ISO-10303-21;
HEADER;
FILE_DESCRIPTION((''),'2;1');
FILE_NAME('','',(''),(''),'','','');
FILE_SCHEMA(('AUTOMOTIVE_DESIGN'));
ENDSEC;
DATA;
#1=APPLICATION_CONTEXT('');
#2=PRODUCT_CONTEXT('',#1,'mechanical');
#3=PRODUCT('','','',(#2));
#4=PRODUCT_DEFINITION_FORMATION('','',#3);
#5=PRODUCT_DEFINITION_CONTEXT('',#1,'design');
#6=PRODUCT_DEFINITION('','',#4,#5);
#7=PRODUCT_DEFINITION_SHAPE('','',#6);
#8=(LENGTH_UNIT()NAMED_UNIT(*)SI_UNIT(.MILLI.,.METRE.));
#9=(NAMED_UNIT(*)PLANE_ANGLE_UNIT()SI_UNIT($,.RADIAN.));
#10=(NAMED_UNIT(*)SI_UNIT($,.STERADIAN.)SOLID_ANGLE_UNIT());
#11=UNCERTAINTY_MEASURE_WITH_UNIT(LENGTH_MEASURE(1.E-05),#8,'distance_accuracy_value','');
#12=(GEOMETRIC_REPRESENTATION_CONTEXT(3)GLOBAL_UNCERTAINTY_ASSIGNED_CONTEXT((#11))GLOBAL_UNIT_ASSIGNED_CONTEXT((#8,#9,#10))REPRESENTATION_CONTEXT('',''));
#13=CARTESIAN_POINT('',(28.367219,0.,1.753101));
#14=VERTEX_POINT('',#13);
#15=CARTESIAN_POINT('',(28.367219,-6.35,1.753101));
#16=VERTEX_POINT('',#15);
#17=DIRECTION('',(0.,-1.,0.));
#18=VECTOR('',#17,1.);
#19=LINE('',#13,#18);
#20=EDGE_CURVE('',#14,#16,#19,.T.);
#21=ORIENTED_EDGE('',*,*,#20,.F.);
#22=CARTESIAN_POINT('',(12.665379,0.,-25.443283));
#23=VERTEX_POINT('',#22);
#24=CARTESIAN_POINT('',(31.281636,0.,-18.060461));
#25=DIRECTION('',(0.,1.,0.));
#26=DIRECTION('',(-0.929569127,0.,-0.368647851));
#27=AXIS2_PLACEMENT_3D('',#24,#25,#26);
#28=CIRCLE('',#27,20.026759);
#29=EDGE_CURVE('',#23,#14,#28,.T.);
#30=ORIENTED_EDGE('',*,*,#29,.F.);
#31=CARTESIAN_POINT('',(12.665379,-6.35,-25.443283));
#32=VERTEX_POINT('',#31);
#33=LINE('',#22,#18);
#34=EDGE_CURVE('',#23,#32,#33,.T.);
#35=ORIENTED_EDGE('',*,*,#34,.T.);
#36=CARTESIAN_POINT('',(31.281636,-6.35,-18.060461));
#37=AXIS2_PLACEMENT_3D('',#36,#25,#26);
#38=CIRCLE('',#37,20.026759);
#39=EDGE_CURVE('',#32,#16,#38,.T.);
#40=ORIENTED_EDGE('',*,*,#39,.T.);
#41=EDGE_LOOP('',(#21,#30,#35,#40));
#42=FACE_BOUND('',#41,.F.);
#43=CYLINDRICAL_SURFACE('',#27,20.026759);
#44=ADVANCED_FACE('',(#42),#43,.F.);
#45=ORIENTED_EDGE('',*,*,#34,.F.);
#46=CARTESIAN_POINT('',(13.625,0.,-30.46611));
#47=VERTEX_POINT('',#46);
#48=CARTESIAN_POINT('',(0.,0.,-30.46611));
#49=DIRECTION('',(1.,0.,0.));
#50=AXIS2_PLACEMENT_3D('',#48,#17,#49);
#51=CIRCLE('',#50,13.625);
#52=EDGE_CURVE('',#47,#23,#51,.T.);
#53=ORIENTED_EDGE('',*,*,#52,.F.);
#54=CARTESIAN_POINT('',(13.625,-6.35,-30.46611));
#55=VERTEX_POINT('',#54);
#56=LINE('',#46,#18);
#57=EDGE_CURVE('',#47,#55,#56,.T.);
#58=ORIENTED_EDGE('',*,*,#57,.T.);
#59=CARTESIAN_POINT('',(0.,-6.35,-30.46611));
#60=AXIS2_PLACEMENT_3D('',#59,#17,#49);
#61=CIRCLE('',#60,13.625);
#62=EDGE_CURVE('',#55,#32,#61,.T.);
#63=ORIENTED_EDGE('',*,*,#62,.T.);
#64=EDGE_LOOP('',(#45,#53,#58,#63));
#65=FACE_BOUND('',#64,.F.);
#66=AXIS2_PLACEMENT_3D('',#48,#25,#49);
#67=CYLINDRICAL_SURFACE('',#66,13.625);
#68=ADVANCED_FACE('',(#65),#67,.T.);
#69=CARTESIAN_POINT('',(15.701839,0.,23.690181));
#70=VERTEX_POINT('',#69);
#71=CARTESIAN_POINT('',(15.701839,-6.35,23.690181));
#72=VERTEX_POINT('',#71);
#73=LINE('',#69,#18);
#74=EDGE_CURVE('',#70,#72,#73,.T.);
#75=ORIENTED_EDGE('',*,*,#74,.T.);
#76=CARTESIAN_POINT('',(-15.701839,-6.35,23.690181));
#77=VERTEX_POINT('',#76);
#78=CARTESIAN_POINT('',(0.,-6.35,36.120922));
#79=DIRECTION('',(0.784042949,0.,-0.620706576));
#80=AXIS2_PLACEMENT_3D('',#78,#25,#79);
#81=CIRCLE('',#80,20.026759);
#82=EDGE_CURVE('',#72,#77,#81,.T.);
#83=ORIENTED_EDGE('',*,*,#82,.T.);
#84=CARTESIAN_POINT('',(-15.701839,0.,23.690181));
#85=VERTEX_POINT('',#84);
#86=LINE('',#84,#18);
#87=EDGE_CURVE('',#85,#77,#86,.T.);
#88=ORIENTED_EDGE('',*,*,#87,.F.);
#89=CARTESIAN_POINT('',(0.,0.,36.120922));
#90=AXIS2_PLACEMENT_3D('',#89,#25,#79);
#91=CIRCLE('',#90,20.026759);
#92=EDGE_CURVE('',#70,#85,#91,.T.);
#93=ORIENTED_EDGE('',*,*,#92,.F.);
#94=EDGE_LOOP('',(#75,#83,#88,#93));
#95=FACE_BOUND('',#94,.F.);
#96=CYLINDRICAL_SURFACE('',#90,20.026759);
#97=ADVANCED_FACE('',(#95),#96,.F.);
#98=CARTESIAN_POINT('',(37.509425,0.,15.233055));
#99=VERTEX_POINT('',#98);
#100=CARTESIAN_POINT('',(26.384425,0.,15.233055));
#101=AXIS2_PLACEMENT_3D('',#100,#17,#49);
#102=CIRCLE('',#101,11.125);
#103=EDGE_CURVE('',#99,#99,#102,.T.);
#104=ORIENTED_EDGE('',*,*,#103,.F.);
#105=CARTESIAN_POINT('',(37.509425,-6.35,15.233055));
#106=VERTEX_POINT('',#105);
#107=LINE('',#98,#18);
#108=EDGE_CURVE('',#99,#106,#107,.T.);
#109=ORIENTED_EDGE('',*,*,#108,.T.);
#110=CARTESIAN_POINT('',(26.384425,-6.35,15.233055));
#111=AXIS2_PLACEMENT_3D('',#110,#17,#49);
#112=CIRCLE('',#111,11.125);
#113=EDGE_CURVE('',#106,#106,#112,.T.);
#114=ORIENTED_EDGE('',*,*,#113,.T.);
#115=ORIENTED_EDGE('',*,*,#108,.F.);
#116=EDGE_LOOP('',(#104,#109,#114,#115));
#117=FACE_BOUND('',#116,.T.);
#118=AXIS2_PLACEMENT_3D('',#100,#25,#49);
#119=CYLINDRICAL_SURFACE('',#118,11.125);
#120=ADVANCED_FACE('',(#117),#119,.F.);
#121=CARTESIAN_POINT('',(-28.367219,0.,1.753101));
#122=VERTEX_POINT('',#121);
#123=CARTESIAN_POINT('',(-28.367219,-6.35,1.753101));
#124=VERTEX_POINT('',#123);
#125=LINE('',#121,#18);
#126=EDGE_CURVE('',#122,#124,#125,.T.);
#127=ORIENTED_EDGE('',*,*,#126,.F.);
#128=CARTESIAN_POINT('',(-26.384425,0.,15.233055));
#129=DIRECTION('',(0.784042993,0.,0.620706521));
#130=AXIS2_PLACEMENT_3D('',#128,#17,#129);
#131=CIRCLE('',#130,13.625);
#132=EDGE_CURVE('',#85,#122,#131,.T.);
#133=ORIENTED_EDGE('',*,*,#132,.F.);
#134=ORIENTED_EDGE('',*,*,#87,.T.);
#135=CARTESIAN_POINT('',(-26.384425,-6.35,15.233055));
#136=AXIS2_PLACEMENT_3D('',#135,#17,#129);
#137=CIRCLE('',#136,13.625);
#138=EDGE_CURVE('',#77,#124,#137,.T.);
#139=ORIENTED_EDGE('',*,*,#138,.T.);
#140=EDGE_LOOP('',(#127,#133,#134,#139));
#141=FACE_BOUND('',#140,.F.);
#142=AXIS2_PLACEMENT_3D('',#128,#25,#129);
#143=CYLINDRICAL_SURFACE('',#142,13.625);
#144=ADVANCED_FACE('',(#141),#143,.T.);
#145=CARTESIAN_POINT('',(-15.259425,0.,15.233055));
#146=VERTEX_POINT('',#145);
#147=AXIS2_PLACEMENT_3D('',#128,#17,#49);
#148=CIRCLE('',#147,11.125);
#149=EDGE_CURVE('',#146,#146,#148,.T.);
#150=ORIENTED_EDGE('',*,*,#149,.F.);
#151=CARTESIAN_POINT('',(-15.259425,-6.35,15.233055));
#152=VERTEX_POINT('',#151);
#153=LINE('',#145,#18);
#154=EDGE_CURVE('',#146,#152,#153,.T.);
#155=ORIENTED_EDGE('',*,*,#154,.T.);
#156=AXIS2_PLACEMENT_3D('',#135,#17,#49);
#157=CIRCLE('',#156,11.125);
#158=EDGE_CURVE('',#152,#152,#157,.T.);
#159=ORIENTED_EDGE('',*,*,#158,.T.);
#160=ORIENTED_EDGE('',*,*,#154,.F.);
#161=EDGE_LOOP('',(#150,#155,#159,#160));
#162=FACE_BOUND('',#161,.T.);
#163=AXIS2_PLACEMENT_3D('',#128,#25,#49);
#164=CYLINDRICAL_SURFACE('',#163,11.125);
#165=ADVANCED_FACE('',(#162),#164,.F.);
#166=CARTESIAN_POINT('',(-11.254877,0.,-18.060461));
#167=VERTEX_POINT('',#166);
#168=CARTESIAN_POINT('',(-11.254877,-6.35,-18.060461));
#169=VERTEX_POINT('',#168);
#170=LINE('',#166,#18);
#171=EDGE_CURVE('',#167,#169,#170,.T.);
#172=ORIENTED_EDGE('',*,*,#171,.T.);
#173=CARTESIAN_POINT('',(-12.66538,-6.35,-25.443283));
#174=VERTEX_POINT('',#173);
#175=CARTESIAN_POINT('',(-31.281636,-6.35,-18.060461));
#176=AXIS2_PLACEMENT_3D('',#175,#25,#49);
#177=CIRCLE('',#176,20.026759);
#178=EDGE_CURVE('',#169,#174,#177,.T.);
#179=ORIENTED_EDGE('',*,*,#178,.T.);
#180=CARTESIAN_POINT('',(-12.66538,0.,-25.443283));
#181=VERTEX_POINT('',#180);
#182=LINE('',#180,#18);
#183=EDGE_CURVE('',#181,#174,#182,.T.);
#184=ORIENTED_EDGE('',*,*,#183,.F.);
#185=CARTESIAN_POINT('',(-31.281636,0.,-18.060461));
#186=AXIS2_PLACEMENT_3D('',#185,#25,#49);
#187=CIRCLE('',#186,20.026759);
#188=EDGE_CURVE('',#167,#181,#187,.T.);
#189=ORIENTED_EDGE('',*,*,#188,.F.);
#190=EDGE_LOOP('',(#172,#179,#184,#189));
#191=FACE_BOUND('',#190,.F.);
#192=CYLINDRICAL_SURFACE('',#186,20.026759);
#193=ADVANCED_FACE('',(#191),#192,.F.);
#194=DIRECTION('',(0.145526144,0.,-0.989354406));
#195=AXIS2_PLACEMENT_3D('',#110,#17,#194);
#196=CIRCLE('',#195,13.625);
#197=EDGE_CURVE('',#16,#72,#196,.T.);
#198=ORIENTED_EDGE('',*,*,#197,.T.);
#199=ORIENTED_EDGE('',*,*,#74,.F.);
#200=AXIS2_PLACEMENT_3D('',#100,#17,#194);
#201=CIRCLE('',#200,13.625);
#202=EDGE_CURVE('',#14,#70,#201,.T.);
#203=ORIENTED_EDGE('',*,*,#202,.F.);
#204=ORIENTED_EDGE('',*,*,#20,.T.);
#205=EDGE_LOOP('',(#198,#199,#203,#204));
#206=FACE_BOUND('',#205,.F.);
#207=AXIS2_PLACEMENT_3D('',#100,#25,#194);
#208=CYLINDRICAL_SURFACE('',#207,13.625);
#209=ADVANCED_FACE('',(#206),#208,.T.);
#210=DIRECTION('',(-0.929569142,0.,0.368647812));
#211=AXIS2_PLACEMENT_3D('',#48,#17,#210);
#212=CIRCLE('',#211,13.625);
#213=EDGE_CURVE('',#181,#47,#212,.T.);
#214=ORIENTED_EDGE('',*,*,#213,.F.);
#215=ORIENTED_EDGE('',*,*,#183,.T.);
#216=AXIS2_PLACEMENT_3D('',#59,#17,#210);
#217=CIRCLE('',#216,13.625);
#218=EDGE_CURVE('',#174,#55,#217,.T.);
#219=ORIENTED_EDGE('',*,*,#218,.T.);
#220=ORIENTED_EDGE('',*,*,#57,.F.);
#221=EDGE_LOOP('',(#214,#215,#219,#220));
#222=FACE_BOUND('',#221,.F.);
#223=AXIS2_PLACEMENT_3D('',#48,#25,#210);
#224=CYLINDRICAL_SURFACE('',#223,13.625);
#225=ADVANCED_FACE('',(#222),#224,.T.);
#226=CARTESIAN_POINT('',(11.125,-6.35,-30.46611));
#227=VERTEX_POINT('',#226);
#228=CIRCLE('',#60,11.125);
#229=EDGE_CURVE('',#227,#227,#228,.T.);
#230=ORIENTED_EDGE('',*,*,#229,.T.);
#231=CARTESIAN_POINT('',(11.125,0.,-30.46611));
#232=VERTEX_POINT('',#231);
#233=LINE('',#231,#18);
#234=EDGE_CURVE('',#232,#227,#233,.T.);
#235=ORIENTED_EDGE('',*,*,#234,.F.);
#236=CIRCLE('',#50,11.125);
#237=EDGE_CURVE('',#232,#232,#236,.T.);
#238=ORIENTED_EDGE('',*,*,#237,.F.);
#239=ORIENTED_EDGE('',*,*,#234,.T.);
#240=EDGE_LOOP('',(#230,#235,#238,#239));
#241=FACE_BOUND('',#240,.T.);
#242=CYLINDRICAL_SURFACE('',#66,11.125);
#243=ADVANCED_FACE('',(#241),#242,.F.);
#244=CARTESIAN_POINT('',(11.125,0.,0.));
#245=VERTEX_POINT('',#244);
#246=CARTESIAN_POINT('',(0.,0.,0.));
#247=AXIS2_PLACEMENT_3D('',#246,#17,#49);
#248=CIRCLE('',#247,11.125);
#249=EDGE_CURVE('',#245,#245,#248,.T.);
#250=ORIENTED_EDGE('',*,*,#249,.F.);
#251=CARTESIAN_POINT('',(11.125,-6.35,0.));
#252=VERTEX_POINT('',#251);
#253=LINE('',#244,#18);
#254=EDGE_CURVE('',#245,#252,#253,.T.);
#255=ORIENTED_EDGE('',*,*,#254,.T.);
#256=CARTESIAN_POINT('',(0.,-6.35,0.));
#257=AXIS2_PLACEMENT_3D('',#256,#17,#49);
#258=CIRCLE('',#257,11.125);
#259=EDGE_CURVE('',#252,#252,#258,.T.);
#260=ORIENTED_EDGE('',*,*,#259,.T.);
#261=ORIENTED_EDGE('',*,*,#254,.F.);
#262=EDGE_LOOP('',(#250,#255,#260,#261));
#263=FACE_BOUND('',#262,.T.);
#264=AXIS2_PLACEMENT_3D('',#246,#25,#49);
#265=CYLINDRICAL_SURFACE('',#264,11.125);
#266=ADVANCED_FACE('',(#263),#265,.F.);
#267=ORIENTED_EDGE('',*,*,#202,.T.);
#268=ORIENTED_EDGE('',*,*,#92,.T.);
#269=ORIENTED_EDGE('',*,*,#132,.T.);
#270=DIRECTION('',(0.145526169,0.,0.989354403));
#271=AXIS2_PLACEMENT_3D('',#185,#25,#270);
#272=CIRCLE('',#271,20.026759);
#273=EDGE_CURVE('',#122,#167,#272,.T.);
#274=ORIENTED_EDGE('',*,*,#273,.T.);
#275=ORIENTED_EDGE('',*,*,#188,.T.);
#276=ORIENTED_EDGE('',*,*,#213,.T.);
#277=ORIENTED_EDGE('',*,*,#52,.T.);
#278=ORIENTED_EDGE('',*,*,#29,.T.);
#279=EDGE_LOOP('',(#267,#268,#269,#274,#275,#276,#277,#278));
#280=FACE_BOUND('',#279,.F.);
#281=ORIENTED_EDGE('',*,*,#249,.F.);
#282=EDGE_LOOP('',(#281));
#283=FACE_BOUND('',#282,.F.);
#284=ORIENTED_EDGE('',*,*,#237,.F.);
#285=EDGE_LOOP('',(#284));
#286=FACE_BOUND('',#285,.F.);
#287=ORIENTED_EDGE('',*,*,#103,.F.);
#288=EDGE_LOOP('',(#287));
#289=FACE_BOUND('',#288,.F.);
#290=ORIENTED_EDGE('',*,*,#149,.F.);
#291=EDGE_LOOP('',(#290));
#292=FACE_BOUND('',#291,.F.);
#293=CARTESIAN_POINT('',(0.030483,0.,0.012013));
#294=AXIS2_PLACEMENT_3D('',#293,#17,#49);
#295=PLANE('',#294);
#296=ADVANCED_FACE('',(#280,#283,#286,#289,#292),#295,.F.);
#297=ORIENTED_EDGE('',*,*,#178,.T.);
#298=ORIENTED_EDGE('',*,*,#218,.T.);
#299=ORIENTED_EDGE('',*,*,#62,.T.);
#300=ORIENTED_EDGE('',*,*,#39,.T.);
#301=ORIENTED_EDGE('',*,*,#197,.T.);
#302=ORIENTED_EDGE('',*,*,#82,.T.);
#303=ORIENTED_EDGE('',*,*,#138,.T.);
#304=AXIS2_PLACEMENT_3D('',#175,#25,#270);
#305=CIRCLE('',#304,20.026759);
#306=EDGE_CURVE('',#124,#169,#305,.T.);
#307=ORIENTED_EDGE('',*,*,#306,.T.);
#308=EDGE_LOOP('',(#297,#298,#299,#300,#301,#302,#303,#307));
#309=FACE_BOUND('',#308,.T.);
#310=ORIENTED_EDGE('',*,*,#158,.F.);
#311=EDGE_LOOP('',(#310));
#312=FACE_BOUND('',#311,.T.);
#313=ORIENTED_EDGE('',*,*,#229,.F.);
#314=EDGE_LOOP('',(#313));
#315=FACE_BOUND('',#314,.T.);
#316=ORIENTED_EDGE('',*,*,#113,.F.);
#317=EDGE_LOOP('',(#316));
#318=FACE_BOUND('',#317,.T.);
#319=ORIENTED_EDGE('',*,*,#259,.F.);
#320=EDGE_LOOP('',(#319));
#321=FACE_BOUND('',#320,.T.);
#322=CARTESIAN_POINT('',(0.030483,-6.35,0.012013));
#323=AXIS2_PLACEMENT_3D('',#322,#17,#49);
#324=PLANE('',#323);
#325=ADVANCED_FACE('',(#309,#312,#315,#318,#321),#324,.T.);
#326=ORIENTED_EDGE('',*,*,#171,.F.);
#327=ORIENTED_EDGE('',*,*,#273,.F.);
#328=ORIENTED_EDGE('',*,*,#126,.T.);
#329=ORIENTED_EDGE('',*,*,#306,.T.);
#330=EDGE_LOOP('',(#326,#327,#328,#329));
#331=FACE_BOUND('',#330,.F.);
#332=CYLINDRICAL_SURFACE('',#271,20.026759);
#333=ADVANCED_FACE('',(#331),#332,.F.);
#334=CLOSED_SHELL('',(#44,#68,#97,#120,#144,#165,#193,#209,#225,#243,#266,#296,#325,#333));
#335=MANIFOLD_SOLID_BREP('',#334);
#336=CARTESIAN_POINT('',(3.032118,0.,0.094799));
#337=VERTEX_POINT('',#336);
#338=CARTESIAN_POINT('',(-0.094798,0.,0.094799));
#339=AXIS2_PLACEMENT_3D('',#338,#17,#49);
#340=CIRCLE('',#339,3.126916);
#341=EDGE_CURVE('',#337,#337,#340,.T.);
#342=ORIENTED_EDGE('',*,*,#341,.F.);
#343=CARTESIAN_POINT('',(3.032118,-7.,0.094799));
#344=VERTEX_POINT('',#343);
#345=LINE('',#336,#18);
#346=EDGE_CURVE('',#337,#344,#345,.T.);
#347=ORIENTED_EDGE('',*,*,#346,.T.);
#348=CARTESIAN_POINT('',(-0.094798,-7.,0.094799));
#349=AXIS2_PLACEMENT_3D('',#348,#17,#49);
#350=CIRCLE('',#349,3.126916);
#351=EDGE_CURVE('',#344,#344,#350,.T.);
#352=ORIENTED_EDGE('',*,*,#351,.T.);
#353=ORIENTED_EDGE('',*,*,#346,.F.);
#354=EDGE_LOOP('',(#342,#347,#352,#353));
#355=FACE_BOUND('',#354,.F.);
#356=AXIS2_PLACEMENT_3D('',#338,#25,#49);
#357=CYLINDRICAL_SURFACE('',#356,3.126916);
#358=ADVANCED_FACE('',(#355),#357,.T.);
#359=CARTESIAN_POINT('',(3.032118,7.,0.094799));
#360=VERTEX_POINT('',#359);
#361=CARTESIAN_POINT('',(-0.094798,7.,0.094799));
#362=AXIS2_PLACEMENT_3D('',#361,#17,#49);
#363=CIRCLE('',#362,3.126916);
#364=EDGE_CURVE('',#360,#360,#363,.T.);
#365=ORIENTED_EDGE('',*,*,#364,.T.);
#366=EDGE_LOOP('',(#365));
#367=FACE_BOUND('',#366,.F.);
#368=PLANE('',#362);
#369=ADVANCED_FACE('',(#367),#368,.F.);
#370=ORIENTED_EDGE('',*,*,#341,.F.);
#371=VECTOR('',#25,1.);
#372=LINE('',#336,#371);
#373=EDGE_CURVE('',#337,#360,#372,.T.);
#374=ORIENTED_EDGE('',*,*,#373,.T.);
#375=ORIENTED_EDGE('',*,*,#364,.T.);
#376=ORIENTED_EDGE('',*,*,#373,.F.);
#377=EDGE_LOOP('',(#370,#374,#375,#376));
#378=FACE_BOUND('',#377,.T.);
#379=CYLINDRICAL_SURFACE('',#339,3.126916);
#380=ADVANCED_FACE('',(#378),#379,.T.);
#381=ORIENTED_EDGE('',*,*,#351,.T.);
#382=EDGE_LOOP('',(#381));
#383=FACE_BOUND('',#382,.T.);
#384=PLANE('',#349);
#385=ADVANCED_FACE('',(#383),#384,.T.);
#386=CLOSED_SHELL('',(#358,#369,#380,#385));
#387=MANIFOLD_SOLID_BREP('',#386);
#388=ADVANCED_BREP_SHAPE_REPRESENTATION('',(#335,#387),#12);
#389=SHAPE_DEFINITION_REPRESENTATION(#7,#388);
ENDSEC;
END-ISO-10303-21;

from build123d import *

# Parameters (mm, degrees)
F0_R          = 11.125
F1_DEPTH      = 6.35
F2_R          = 3.1269163301
F3_DEPTH      = 7
F3_DEPTH_BACK = 7


with BuildPart() as f1:
    # F0 (on Front) → F1 (new body)
    with BuildSketch(Plane.XZ):
        with BuildLine():
            ThreePointArc((28.3672185099, 1.7531009709), (14.5848286828, 8.4205547302), (15.7018391925, 23.6901813301))
            ThreePointArc((15.7018391925, 23.6901813301), (1.405e-07, 16.0941633395), (-15.7018390181, 23.6901811098))
            ThreePointArc((-15.7018390181, 23.6901811098), (-13.5160360797, 19.7102410279), (-12.7594247938, 15.2330547571))
            ThreePointArc((-12.7594247938, 15.2330547571), (-17.4786666532, 4.9215031309), (-28.3672188401, 1.7531010194))
            ThreePointArc((-28.3672188401, 1.7531010194), (-16.1251622715, -4.9702980911), (-11.2548773539, -18.0604611706))
            ThreePointArc((-11.2548773539, -18.0604611706), (-11.6106632686, -21.8186381121), (-12.6653795647, -25.4432830707))
            ThreePointArc((-12.6653795647, -25.4432830707), (-1.291e-07, -16.8411095142), (12.6653794695, -25.4432828307))
            ThreePointArc((12.6653794695, -25.4432828307), (13.9379541753, -8.0470818938), (28.3672185099, 1.7531009709))
        make_face()
        Circle(F0_R, mode=Mode.SUBTRACT)
        with BuildLine():
            ThreePointArc((28.3672185099, 1.7531009709), (36.695976311, 6.3272964902), (40.0094247938, 15.2330547571))
            ThreePointArc((40.0094247938, 15.2330547571), (30.8616111972, 28.101443425), (15.7018391925, 23.6901813301))
            ThreePointArc((15.7018391925, 23.6901813301), (14.5848286828, 8.4205547302), (28.3672185099, 1.7531009709))
        make_face()
        with Locations((26.3844247938, 15.2330547571)):
            Circle(F0_R, mode=Mode.SUBTRACT)
        with BuildLine():
            ThreePointArc((-12.7594247938, 15.2330547571), (-13.5160360797, 19.7102410279), (-15.7018390181, 23.6901811098))
            ThreePointArc((-15.7018390181, 23.6901811098), (-38.1840207511, 22.0455550502), (-28.3672188401, 1.7531010194))
            ThreePointArc((-28.3672188401, 1.7531010194), (-17.4786666532, 4.9215031309), (-12.7594247938, 15.2330547571))
        make_face()
        with Locations((-26.3844247938, 15.2330547571)):
            Circle(F0_R, mode=Mode.SUBTRACT)
        with BuildLine():
            ThreePointArc((13.625, -30.4661095142), (13.3829447483, -27.9092726278), (12.6653794695, -25.4432828307))
            ThreePointArc((12.6653794695, -25.4432828307), (-1.291e-07, -16.8411095142), (-12.6653795647, -25.4432830707))
            ThreePointArc((-12.6653795647, -25.4432830707), (-2.5568367596, -43.8490542868), (13.625, -30.4661095142))
        make_face()
        with Locations((0, -30.4661095142)):
            Circle(F0_R, mode=Mode.SUBTRACT)
    extrude(amount=F1_DEPTH)


with BuildPart() as f3:
    # F2 (on Front) → F3 (new body, two sides)
    with BuildSketch(Plane.XZ) as f3_sk:
        with Locations((-0.094798037, 0.0947985827)):
            Circle(F2_R)
    extrude(amount=-F3_DEPTH)
    extrude(f3_sk.sketch, amount=F3_DEPTH_BACK)


solid = Compound([f1.part, f3.part])
